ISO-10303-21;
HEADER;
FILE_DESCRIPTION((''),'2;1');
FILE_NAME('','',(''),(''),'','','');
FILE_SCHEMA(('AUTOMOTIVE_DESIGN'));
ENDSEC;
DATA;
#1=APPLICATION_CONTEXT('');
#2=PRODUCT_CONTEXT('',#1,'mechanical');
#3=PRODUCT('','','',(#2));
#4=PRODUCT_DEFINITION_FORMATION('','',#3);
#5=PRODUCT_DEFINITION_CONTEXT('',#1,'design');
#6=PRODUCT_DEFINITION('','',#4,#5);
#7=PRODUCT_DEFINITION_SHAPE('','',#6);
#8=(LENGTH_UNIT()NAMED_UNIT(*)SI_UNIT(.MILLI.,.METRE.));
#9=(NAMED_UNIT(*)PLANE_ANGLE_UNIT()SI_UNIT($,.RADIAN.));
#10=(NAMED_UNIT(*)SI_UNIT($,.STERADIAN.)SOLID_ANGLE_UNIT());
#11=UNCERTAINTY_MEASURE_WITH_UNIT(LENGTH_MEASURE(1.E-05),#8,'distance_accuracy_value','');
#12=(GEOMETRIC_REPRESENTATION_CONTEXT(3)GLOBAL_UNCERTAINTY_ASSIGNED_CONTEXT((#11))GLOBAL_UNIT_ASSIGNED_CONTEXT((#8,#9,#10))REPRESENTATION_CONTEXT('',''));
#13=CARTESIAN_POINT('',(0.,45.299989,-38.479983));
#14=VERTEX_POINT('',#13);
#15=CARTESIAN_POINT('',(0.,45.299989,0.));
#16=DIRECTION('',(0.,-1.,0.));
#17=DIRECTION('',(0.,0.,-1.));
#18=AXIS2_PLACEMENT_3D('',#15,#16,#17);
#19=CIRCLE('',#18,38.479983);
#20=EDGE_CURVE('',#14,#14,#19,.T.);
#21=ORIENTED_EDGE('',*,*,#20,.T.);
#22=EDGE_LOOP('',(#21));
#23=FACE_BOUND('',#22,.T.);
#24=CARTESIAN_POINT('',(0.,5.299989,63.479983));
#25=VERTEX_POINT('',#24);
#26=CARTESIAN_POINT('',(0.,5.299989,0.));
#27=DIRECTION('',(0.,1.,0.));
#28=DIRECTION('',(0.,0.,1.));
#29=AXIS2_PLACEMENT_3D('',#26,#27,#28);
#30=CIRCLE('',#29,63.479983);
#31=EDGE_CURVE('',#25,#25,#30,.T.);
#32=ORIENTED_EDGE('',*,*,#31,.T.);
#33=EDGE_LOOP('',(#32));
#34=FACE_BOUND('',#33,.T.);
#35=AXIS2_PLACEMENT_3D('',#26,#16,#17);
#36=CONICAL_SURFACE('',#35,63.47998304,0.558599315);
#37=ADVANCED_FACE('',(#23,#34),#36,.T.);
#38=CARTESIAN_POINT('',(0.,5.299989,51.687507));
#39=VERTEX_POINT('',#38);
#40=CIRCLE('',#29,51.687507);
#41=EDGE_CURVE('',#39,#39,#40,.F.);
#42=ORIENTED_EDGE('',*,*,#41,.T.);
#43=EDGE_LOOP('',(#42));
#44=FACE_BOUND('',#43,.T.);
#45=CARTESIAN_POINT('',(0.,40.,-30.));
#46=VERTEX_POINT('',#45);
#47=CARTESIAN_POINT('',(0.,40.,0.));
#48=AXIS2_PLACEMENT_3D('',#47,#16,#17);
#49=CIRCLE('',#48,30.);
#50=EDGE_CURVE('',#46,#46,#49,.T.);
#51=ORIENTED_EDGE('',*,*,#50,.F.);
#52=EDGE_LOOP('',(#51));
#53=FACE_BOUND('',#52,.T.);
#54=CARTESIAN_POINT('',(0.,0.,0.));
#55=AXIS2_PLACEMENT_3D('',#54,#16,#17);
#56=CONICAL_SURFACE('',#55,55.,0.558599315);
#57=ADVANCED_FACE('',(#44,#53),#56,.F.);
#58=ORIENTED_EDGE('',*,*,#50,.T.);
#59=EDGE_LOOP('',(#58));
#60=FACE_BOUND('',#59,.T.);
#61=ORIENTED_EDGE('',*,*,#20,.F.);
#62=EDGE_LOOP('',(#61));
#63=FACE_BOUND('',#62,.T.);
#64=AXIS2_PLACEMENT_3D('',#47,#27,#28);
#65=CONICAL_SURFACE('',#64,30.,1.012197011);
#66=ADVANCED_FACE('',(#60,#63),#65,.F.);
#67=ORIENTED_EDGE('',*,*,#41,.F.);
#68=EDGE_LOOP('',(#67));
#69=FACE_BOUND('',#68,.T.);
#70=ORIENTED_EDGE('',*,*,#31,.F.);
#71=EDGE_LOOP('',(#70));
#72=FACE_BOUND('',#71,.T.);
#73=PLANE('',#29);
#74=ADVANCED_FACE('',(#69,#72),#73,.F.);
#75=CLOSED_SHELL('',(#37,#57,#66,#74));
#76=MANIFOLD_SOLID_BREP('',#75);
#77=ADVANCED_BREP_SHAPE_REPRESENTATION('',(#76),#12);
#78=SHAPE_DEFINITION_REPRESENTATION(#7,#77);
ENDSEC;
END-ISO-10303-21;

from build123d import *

# Parameters (mm, degrees)
ESQUISSE5_W             = 151.27903366
ESQUISSE5_H             = 142.699955255
ENL_V_MAT_EXTRU_1_DEPTH = 10


with BuildPart() as part:
    # Esquisse1 → Révol.-Mince1 (revolve)
    with BuildSketch(Plane.XY):
        Polygon((55, 0), (30, 40), (38.47998304, 45.2999894), (63.47998304, 5.2999894), align=None)
    revolve(axis=Axis((0, 0, 0), (0, 1, 0)))

    # Esquisse5 → Enlèv. mat.-Extru.1 (cut)
    with BuildSketch(Plane(origin=(0, 5.2999894, 0), x_dir=(1, 0, 0), z_dir=(0, 1, 0))):
        with Locations((-1.064533184, -0.36708692)):
            Rectangle(ESQUISSE5_W, ESQUISSE5_H)
    extrude(amount=-ENL_V_MAT_EXTRU_1_DEPTH, mode=Mode.SUBTRACT)


solid = part.part
